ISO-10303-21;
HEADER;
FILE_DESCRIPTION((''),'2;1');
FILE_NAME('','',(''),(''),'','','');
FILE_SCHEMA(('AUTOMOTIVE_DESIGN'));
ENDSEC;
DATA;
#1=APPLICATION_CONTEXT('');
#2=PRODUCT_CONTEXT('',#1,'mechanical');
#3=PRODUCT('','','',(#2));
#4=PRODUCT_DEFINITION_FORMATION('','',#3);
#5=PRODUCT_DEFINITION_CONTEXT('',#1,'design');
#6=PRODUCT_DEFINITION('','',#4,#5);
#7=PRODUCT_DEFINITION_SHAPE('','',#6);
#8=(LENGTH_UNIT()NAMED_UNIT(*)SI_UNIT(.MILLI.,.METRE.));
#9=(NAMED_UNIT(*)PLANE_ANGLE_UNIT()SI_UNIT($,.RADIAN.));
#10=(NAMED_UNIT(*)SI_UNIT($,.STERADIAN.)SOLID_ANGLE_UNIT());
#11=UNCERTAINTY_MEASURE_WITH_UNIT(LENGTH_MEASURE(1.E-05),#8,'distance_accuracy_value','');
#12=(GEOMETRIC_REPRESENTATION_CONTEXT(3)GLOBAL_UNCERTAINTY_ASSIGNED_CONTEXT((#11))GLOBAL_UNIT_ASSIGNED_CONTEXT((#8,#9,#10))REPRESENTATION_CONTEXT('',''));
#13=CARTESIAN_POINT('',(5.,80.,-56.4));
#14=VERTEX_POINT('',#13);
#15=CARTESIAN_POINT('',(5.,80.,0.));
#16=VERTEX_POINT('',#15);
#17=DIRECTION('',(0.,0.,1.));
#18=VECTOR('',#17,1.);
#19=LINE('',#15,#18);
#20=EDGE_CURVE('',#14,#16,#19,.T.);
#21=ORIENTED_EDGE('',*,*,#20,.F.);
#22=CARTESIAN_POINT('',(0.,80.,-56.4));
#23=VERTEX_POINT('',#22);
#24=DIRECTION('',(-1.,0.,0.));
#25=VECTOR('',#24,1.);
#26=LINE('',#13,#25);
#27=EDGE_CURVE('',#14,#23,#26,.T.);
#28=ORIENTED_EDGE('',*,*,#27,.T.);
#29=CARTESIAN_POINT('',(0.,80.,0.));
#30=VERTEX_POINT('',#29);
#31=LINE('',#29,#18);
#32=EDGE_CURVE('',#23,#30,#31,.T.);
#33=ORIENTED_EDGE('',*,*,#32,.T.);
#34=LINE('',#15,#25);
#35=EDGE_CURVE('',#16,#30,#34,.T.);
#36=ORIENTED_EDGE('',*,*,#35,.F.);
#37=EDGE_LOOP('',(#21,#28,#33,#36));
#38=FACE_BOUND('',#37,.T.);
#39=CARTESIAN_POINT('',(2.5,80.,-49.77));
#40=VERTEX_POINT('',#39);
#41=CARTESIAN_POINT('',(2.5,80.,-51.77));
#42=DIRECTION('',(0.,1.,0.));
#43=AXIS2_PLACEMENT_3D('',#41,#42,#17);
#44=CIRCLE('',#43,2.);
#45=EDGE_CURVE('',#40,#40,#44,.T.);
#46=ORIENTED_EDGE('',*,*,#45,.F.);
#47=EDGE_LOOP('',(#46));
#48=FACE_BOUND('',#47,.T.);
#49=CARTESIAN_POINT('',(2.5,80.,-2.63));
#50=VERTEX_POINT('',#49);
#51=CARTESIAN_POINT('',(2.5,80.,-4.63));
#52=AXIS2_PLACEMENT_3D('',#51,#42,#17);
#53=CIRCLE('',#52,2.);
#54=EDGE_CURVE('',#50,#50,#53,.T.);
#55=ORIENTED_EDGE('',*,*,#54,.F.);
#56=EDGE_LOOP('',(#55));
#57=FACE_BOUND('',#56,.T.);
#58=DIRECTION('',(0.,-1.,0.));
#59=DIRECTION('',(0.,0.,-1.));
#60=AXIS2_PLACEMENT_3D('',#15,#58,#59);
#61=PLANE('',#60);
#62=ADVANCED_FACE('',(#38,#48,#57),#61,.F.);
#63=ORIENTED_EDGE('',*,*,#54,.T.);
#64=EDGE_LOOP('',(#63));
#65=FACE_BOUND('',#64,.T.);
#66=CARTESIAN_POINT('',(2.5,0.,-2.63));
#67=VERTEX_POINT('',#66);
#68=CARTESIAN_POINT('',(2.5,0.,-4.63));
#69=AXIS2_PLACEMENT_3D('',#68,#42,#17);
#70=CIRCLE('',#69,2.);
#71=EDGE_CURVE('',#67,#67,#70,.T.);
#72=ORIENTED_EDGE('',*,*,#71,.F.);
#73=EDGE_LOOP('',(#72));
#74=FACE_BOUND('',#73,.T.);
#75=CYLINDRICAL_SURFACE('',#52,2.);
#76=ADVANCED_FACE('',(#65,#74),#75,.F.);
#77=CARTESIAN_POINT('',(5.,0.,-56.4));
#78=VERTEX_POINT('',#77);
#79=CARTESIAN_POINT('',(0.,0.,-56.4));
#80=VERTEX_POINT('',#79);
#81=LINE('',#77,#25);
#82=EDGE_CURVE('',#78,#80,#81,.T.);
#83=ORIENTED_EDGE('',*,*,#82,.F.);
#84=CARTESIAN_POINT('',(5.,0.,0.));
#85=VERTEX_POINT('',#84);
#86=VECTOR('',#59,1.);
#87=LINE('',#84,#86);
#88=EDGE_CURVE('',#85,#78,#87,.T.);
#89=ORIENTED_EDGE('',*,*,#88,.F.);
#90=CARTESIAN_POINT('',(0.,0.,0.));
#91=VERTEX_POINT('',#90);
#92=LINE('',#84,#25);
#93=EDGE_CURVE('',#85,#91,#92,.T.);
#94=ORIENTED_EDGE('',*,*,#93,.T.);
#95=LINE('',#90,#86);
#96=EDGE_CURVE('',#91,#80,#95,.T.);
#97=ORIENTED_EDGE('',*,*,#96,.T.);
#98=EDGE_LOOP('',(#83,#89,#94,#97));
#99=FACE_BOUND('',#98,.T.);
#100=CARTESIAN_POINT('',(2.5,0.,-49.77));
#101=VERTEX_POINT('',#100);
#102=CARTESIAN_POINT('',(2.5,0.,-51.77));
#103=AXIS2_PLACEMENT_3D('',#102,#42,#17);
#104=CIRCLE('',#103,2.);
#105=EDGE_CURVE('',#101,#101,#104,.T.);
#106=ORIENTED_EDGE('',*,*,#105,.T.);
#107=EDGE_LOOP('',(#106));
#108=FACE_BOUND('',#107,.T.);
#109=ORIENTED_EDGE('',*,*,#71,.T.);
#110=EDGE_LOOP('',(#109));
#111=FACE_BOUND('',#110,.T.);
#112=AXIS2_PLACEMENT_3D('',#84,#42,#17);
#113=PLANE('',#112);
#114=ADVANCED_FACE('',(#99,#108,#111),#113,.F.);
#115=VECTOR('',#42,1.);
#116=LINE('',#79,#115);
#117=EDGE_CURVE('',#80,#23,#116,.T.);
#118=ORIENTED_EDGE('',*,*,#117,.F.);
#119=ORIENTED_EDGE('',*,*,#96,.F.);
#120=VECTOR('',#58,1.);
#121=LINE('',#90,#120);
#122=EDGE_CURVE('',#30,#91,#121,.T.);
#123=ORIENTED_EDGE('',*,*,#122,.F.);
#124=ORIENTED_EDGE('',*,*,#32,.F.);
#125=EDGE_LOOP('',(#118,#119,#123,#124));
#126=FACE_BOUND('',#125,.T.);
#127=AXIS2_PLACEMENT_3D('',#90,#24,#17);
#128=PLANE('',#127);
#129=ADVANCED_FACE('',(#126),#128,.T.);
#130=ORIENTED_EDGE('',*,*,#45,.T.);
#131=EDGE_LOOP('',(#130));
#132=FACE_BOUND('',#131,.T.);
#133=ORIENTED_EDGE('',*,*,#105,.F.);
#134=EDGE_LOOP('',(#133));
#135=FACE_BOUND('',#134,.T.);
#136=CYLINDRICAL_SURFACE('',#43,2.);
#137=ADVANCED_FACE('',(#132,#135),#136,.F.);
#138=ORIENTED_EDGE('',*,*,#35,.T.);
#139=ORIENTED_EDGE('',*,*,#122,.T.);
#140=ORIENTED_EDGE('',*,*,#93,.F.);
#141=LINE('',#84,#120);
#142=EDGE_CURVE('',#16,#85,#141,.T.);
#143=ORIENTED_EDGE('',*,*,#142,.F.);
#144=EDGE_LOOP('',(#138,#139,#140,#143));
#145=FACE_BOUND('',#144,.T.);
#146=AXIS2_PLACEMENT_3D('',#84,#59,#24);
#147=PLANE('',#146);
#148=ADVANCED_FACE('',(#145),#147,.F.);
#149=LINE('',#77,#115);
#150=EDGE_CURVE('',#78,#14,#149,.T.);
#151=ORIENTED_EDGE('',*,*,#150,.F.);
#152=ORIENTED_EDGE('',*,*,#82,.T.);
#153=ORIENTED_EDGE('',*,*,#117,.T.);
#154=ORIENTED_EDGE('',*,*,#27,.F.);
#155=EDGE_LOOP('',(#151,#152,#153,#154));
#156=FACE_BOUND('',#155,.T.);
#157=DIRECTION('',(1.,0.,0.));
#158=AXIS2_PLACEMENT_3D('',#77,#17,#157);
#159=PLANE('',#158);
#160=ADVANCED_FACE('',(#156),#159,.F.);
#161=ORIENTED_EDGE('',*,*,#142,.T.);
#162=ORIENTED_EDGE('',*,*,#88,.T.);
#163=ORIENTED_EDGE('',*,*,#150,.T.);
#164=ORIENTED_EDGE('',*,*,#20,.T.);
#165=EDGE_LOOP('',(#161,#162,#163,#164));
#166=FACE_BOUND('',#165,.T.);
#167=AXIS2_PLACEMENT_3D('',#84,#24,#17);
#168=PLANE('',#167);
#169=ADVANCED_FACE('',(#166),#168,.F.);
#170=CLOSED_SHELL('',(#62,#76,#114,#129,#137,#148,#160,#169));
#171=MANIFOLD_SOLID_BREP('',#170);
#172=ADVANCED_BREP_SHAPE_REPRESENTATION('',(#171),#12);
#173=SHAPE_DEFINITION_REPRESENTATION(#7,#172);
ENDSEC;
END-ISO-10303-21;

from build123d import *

# Parameters (mm, degrees)
SZKIC1_W                    = 56.4
SZKIC1_H                    = 80
DODANIE_WYCI_GNI_CIE1_DEPTH = 5
OTWORY_USTALAJ_CE_4_0MM1_D  = 4


with BuildPart() as part:
    # Szkic1 → Dodanie-wyciągnięcie1 (new body)
    with BuildSketch(Plane(origin=(0, 0, 0), x_dir=(0, 0, -1), z_dir=(1, 0, 0))):
        with Locations((28.2, 40)):
            Rectangle(SZKIC1_W, SZKIC1_H)
    extrude(amount=DODANIE_WYCI_GNI_CIE1_DEPTH)

    # Otwory ustalające Ø4.0mm1 (through all)
    with Locations(Plane(origin=(2.5, 80, -51.77), x_dir=(0, 0, 1), z_dir=(0, 1, 0))):
        with Locations((0, 0), (47.14, 0)):
            Hole(OTWORY_USTALAJ_CE_4_0MM1_D / 2)


solid = part.part
